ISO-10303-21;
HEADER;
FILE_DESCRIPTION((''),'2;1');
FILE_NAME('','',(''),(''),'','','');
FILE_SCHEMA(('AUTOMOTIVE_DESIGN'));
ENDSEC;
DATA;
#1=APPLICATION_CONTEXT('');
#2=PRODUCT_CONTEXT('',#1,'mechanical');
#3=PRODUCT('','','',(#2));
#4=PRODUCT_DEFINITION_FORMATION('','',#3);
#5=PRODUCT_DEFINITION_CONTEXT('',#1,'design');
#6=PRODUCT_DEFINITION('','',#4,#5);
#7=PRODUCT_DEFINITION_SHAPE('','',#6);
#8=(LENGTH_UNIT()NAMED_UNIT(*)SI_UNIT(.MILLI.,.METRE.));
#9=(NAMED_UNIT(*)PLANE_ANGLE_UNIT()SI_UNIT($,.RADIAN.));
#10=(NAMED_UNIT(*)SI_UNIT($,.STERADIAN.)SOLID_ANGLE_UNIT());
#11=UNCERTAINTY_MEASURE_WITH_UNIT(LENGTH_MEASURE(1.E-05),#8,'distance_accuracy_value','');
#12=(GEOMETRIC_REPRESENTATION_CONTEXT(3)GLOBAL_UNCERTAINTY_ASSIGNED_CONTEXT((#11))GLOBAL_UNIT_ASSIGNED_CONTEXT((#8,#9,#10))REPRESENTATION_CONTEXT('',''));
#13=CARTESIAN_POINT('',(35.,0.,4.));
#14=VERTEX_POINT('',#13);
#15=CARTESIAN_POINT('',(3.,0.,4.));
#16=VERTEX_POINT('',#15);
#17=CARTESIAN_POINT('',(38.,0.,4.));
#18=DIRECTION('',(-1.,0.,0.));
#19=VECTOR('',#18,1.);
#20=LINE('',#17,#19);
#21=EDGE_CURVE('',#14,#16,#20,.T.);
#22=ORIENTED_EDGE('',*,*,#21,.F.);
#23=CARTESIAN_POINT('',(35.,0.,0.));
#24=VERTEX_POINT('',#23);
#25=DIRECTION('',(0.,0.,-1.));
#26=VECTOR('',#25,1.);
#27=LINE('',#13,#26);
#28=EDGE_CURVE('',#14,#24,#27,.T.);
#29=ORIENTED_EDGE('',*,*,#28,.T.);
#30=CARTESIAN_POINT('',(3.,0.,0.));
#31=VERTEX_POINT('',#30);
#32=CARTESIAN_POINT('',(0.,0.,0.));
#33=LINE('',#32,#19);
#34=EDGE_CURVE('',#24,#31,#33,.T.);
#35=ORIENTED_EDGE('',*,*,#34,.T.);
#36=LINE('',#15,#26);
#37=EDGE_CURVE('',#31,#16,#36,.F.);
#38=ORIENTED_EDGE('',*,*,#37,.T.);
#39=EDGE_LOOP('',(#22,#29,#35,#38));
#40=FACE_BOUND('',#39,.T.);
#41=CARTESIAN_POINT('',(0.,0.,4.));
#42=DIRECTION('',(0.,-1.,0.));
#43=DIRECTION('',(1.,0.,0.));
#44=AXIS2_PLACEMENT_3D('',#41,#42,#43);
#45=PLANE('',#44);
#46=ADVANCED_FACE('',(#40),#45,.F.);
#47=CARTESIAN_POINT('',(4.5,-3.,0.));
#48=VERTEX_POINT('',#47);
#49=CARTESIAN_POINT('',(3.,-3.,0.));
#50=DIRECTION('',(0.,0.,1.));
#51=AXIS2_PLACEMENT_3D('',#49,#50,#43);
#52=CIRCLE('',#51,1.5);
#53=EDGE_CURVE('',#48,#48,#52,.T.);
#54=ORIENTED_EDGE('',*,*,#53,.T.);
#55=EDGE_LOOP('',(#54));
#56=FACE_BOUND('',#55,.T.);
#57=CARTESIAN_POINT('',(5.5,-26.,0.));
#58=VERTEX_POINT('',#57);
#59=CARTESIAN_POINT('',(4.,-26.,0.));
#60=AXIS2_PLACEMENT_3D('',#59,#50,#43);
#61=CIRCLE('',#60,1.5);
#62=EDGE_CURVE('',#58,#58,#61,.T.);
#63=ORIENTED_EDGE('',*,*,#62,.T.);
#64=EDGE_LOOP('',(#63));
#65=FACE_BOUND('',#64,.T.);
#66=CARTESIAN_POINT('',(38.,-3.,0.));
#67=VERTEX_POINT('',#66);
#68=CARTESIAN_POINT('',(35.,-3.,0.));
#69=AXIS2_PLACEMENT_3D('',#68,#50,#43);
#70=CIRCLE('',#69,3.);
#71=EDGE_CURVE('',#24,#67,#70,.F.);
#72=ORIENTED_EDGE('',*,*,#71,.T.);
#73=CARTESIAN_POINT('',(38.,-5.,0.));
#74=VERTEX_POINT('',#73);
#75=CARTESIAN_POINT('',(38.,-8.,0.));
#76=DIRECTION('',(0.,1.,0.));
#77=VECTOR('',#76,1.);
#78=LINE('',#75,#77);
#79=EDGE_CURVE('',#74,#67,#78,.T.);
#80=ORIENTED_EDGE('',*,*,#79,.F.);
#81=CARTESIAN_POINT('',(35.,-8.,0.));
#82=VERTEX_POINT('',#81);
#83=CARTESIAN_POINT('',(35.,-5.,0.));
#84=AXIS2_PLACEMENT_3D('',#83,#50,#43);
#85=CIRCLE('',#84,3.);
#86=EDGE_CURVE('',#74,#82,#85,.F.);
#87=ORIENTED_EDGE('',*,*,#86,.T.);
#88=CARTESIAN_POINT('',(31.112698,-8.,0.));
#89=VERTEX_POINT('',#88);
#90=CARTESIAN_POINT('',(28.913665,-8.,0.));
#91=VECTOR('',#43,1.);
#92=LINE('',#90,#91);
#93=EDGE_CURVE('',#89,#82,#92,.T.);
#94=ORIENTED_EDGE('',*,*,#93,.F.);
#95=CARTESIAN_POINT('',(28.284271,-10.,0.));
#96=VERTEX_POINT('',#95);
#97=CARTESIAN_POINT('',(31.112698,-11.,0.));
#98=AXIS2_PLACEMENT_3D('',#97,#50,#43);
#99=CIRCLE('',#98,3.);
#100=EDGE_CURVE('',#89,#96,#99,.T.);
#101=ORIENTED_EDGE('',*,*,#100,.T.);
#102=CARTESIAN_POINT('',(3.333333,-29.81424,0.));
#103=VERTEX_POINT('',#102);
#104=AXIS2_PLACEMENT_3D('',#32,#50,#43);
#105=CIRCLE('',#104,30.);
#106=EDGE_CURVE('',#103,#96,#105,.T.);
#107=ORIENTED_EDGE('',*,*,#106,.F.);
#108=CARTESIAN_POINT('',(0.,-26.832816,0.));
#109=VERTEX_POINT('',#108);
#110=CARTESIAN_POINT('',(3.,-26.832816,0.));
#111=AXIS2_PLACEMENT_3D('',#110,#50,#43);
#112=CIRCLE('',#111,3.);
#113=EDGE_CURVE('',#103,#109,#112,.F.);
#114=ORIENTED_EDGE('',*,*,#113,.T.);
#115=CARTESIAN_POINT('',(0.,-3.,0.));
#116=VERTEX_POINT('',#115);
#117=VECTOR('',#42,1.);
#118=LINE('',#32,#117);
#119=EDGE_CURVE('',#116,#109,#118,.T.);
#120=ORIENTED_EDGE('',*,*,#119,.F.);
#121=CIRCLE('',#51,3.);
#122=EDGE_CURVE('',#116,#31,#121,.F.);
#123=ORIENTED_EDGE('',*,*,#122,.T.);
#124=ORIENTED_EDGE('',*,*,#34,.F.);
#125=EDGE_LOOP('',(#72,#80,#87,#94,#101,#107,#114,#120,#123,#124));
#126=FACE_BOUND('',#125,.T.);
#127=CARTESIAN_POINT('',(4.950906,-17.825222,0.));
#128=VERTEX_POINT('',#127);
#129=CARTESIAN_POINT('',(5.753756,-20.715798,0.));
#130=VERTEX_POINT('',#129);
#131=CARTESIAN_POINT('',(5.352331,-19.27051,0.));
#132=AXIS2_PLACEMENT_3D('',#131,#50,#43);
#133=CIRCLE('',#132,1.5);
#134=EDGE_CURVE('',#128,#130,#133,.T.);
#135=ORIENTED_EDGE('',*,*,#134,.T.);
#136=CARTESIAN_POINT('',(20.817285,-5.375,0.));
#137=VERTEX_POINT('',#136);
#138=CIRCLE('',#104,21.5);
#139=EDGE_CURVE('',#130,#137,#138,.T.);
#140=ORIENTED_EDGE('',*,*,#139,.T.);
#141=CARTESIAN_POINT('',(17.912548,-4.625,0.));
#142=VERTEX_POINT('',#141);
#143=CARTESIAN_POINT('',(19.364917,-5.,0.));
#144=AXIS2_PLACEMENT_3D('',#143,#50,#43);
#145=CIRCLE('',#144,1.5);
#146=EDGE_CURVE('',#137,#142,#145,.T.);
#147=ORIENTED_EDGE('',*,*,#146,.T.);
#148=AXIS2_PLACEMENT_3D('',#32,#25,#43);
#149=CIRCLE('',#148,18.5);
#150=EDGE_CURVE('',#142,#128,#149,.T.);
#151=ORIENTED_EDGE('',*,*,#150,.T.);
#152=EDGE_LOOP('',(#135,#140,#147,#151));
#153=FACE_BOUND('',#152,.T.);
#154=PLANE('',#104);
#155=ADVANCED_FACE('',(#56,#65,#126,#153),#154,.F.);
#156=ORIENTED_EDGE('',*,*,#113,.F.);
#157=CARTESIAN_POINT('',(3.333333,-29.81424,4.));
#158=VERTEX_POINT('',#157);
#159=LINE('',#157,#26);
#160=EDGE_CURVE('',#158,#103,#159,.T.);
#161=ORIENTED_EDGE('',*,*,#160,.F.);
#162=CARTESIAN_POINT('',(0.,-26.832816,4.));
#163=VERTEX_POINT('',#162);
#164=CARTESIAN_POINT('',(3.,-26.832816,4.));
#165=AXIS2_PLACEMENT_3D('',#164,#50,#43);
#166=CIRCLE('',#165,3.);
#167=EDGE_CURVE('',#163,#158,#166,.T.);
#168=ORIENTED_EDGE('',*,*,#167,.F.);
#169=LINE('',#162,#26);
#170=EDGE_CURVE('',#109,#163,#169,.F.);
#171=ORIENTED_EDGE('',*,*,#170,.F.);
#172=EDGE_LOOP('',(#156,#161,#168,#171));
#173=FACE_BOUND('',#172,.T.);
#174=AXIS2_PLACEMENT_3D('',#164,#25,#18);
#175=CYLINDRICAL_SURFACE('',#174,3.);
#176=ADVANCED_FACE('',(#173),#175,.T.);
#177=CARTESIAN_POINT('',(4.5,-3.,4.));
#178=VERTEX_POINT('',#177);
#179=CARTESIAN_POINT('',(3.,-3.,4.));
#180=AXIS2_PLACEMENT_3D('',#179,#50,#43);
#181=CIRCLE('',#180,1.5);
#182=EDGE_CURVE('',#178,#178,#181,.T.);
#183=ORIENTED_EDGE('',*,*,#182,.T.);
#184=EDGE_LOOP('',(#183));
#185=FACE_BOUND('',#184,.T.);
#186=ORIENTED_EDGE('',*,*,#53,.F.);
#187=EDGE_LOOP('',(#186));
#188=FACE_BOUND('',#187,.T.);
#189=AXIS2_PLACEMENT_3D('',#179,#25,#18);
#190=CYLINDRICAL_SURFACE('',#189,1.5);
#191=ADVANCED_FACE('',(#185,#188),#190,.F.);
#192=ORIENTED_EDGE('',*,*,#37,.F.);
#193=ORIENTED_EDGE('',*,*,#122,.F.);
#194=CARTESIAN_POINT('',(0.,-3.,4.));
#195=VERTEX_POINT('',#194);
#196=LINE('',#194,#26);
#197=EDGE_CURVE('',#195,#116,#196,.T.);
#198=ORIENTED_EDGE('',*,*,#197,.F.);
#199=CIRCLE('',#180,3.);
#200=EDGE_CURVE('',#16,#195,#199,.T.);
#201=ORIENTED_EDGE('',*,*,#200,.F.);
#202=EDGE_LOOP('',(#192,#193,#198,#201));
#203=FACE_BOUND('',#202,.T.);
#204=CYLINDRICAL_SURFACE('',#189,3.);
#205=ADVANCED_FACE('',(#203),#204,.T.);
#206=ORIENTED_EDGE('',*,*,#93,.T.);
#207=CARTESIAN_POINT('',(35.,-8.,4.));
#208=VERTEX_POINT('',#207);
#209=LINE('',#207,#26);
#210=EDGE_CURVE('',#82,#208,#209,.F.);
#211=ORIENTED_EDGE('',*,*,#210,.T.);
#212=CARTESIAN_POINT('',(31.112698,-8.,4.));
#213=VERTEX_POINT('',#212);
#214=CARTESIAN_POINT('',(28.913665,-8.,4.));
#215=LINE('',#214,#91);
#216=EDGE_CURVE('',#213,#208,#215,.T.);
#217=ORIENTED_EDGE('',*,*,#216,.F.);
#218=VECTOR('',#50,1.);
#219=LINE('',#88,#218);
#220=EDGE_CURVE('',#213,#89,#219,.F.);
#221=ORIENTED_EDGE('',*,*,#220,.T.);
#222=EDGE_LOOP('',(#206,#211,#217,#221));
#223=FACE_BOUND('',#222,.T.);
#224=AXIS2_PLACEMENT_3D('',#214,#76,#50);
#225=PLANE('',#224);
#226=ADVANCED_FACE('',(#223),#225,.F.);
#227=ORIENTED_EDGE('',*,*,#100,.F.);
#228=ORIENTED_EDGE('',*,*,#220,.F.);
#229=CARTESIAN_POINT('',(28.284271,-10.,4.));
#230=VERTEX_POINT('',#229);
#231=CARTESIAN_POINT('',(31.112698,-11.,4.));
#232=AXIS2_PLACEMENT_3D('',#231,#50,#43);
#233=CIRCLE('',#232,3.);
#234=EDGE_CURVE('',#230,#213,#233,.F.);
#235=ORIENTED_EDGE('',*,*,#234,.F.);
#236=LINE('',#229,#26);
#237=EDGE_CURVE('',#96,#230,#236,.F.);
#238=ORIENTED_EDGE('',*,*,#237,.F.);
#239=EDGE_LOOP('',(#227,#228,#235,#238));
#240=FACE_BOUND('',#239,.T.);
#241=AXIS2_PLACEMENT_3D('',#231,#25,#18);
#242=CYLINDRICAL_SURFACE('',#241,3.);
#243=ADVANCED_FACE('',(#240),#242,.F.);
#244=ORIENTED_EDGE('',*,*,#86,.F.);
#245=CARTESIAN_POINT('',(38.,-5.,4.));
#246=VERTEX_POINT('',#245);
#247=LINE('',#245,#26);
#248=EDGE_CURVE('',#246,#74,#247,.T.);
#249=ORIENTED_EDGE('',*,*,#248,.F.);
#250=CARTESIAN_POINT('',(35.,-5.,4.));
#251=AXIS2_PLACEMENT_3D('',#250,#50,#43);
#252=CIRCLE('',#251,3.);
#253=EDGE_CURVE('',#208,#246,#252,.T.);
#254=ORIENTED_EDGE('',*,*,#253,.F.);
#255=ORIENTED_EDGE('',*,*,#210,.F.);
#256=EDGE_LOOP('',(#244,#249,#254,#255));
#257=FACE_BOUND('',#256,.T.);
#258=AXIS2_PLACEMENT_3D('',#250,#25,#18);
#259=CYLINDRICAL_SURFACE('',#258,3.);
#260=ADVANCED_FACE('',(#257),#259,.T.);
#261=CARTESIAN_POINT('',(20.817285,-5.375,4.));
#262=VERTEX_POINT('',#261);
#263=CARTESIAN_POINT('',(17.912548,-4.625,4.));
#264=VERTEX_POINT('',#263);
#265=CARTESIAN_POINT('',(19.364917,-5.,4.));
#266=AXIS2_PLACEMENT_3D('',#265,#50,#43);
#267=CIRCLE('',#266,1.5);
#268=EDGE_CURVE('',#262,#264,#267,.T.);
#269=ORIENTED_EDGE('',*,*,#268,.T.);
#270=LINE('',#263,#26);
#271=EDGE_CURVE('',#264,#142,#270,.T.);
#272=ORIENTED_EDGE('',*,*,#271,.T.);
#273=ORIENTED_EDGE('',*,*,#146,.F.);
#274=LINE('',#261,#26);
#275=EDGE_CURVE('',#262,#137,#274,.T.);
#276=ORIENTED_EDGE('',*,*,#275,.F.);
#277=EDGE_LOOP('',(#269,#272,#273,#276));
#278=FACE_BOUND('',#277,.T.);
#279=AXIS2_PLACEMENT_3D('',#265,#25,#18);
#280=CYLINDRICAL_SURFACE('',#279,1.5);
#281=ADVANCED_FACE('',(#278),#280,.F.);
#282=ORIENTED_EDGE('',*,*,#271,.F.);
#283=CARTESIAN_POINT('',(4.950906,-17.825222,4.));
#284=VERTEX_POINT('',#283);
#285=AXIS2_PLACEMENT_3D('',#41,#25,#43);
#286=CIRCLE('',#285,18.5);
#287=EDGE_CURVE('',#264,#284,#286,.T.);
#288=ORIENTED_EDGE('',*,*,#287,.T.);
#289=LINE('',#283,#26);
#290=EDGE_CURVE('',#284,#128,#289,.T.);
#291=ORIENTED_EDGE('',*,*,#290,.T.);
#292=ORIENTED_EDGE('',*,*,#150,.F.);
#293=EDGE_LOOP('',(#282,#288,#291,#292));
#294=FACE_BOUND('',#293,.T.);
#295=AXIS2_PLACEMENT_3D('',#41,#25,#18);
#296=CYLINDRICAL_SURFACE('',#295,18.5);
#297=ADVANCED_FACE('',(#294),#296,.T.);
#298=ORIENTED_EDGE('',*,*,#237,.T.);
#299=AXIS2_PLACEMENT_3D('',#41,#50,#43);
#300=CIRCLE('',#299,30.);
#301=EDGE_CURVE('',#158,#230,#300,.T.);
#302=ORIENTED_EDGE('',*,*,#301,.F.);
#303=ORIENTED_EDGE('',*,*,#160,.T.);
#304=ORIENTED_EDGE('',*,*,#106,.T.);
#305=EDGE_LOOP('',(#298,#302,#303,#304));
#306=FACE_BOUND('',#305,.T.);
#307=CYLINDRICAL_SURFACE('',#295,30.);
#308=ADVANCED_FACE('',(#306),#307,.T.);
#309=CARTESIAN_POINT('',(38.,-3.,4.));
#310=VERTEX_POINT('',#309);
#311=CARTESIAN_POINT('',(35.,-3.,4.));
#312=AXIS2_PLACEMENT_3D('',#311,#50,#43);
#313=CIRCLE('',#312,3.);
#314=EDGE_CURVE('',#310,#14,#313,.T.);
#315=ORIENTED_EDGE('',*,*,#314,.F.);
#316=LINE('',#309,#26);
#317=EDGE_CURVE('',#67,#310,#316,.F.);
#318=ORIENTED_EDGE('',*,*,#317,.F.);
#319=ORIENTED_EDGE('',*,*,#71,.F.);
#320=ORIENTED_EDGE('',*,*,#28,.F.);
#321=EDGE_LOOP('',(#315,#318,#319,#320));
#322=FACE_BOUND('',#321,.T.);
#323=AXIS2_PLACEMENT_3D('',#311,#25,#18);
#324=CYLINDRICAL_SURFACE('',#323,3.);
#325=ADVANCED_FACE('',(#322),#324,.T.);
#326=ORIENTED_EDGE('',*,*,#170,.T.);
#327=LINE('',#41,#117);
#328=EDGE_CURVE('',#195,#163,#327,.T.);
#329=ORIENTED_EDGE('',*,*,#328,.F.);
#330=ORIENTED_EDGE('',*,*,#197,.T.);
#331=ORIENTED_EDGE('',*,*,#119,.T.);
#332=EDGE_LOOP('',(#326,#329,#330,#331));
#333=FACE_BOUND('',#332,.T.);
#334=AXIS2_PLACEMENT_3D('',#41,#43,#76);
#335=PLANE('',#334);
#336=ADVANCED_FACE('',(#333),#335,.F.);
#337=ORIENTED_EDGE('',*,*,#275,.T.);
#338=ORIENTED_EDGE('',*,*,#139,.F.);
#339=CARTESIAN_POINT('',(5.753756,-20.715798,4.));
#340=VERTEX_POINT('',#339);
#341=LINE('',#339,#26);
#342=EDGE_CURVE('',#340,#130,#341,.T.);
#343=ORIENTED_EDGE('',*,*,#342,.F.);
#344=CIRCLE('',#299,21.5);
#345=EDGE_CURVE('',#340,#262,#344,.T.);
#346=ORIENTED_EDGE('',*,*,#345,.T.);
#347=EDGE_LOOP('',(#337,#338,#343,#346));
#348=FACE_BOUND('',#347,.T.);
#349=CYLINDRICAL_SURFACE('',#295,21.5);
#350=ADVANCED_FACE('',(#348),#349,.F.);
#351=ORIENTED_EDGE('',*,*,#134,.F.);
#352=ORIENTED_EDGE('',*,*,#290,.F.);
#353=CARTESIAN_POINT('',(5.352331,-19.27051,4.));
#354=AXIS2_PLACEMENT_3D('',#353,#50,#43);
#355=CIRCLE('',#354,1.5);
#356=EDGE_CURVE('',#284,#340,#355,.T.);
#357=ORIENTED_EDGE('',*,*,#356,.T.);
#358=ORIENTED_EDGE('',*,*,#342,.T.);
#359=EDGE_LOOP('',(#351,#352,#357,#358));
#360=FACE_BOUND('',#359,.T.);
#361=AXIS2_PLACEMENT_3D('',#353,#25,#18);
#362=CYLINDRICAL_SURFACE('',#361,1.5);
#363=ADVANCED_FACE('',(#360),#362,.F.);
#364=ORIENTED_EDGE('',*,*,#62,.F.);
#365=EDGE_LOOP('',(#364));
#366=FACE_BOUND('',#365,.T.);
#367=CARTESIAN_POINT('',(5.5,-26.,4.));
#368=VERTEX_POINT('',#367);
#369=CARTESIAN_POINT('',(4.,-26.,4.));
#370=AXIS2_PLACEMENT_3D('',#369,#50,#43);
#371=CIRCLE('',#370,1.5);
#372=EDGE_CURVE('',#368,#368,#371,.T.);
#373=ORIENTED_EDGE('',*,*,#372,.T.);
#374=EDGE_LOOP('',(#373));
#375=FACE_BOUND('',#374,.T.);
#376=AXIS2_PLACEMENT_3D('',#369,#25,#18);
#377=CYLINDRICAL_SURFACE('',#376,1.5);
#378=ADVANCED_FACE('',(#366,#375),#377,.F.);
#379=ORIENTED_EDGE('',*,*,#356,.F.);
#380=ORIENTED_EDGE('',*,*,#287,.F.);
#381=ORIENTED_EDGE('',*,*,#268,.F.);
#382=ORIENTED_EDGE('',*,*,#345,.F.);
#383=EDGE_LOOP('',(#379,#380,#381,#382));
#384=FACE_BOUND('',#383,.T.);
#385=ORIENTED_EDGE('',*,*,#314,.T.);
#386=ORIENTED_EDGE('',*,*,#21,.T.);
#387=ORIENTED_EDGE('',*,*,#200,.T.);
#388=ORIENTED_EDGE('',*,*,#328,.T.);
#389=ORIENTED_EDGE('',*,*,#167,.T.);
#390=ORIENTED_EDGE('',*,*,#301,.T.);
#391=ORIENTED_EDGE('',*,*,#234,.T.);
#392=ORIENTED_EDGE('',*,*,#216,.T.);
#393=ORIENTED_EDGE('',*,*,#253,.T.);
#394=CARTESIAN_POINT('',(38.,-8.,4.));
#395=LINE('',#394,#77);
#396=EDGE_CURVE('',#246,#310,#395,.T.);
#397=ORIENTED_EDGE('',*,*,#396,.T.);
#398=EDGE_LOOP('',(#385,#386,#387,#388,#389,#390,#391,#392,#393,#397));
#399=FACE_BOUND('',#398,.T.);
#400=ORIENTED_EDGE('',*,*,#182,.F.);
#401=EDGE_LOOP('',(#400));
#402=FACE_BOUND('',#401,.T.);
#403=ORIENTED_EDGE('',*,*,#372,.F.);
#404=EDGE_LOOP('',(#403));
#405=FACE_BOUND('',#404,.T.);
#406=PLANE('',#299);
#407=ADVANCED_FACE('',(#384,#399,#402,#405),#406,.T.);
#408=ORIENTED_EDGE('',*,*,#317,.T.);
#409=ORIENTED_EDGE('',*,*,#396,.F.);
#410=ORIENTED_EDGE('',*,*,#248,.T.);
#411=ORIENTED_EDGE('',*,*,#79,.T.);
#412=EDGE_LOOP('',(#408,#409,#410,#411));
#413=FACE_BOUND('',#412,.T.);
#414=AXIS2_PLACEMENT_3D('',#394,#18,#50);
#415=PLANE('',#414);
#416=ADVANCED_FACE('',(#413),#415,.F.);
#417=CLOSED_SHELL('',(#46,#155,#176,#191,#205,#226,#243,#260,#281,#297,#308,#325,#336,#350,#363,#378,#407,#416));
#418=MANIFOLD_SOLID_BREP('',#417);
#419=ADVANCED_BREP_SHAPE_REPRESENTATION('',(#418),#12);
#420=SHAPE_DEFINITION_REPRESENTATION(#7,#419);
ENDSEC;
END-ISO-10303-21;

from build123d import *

# Parameters (mm, degrees)
SKETCH1_R           = 1.5
BOSS_EXTRUDE1_DEPTH = 4
FILLET1_R           = 3


with BuildPart() as part:
    # Sketch1 → Boss-Extrude1 (new body)
    with BuildSketch(Plane.XY):
        with BuildLine():
            Line((0, 0), (30, 0))
            Line((30, 0), (38, 0))
            Line((38, 0), (38, -8))
            Line((38, -8), (28.91366459, -8))
            ThreePointArc((28.91366459, -8), (18.165902125, -23.874672773), (0, -30))
            Line((0, -30), (0, 0))
        make_face()
        with Locations((4, -26)):
            Circle(SKETCH1_R, mode=Mode.SUBTRACT)
        with Locations((3, -3)):
            Circle(SKETCH1_R, mode=Mode.SUBTRACT)
        with BuildLine():
            ThreePointArc((4.950906496, -17.825221594), (3.907043109, -19.671934682), (5.753756198, -20.715798069))
            ThreePointArc((5.753756198, -20.715798069), (15.340798069, -15.063529288), (20.817285486, -5.375))
            ThreePointArc((20.817285486, -5.375), (19.739916731, -3.547631245), (17.912547976, -4.625))
            ThreePointArc((17.912547976, -4.625), (13.200221594, -12.961641481), (4.950906496, -17.825221594))
        make_face(mode=Mode.SUBTRACT)
    extrude(amount=BOSS_EXTRUDE1_DEPTH)

    # Fillet1
    fillet1_edges = [part.edges().sort_by_distance(p)[0] for p in [
        (0, 0, 2),
        (38, 0, 2),
        (38, -8, 2),
        (28.91366459, -8, 2),
        (0, -30, 2),
    ]]
    fillet(fillet1_edges, radius=FILLET1_R)


solid = part.part
